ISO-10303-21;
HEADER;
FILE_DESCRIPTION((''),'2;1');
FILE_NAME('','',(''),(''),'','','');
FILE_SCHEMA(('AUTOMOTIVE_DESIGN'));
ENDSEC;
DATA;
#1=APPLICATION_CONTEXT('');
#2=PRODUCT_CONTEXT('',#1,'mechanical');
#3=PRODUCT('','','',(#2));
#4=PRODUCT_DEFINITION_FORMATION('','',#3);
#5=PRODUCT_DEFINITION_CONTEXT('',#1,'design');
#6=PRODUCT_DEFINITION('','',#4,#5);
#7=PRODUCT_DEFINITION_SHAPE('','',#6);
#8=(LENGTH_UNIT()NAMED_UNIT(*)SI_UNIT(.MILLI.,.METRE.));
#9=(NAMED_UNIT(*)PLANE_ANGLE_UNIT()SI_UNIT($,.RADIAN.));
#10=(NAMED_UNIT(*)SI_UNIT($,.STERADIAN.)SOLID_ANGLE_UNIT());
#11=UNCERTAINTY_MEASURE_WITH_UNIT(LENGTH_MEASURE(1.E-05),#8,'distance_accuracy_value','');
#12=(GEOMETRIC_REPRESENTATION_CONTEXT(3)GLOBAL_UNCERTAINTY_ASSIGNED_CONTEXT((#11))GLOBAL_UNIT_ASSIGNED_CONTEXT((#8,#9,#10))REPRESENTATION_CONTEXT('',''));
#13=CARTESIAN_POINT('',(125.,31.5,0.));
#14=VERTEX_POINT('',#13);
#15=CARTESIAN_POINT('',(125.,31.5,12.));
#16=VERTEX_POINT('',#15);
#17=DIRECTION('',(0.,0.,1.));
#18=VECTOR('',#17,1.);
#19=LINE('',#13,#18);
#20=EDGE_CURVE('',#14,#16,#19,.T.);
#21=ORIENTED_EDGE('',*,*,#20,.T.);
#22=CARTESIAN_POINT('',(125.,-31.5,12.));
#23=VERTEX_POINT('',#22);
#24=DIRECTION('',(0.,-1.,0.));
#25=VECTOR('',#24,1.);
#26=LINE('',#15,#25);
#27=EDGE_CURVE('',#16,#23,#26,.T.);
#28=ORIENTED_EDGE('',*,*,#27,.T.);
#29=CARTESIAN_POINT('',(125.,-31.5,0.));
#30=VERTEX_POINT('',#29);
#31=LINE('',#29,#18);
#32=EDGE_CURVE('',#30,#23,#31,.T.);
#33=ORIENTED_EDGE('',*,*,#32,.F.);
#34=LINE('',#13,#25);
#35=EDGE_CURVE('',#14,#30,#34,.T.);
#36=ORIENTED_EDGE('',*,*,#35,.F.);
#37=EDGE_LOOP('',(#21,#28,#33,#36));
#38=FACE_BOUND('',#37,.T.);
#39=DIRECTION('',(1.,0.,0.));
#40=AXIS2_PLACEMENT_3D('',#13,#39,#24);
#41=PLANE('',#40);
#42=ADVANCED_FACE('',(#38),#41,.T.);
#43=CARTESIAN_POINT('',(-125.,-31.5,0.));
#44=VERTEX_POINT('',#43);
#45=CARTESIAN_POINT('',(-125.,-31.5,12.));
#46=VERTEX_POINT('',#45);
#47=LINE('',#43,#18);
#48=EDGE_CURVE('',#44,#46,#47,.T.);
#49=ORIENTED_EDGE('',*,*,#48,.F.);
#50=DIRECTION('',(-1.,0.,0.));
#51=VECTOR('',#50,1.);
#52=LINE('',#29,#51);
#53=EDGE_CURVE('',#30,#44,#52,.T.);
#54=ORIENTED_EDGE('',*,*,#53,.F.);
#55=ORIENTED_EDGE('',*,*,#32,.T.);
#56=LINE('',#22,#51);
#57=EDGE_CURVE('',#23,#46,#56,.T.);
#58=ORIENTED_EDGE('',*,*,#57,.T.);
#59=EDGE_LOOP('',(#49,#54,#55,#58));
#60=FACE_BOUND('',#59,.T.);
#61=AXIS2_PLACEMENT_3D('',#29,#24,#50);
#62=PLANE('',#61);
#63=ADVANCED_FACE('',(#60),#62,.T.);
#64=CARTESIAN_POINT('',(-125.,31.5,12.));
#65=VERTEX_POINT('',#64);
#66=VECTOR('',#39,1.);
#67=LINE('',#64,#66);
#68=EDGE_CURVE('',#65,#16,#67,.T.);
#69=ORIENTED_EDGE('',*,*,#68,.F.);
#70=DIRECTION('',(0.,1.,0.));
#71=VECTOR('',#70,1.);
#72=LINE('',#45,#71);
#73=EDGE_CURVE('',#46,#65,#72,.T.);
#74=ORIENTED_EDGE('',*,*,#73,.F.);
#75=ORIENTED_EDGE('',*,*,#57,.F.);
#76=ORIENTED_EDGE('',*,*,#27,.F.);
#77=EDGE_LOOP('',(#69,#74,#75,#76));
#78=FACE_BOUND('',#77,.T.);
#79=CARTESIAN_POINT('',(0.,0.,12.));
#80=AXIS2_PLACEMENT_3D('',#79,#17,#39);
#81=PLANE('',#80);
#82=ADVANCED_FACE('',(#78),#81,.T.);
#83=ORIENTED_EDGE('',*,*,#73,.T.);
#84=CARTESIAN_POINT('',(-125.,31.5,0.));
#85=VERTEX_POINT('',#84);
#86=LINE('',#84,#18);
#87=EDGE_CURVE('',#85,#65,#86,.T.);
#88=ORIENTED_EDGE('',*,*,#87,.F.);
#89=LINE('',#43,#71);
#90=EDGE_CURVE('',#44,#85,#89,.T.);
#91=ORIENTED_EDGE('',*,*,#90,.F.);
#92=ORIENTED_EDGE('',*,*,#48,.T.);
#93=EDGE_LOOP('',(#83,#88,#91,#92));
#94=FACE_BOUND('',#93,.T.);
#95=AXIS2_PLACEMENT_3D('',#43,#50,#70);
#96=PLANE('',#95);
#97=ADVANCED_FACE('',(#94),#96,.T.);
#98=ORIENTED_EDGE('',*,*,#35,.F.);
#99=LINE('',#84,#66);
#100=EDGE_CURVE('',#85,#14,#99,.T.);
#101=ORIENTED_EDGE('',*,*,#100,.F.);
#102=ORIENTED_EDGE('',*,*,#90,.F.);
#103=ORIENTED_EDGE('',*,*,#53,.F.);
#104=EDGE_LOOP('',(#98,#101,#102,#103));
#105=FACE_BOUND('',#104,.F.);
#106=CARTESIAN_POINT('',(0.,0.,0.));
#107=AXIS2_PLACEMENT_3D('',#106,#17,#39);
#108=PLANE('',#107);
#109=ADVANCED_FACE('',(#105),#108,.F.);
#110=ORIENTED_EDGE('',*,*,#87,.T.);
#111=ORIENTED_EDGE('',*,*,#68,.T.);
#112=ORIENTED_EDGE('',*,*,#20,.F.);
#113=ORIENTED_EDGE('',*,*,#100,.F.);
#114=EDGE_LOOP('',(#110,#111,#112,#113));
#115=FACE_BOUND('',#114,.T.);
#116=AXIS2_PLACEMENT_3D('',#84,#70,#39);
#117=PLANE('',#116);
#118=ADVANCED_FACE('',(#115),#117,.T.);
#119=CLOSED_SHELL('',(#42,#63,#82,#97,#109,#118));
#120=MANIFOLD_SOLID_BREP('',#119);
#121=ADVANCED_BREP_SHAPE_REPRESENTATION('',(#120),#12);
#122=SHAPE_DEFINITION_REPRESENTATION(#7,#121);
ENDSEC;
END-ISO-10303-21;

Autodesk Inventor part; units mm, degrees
ref_plane "YZ Plane" through (0, 0, 0) normal (1, 0, 0) x (0, 1, 0)
ref_plane "XZ Plane" through (0, 0, 0) normal (0, 1, 0) x (-1, 0, 0)
ref_plane "XY Plane" through (0, 0, 0) normal (0, 0, 1) x (1, 0, 0)
sketch "Skizze1" plane through (0, 0, 0) normal (0, 0, 1) x (1, 0, 0)
  line L0 (-125, 31.5) -> (125, 31.5)
  line L1 (125, 31.5) -> (125, -31.5)
  line L2 (125, -31.5) -> (-125, -31.5)
  line L3 (-125, -31.5) -> (-125, 31.5)
  point P0 (0, 0)
  point P1 (125, 0)
  point P2 (0, 31.5)
  dimension "d0" = 250
  dimension "d1" = 63
extrude "Extrusion1" add sketch "Skizze1" along normal blind 12
properties part number "Längsseite_Konsole" material "Holz (Kirsche)"
